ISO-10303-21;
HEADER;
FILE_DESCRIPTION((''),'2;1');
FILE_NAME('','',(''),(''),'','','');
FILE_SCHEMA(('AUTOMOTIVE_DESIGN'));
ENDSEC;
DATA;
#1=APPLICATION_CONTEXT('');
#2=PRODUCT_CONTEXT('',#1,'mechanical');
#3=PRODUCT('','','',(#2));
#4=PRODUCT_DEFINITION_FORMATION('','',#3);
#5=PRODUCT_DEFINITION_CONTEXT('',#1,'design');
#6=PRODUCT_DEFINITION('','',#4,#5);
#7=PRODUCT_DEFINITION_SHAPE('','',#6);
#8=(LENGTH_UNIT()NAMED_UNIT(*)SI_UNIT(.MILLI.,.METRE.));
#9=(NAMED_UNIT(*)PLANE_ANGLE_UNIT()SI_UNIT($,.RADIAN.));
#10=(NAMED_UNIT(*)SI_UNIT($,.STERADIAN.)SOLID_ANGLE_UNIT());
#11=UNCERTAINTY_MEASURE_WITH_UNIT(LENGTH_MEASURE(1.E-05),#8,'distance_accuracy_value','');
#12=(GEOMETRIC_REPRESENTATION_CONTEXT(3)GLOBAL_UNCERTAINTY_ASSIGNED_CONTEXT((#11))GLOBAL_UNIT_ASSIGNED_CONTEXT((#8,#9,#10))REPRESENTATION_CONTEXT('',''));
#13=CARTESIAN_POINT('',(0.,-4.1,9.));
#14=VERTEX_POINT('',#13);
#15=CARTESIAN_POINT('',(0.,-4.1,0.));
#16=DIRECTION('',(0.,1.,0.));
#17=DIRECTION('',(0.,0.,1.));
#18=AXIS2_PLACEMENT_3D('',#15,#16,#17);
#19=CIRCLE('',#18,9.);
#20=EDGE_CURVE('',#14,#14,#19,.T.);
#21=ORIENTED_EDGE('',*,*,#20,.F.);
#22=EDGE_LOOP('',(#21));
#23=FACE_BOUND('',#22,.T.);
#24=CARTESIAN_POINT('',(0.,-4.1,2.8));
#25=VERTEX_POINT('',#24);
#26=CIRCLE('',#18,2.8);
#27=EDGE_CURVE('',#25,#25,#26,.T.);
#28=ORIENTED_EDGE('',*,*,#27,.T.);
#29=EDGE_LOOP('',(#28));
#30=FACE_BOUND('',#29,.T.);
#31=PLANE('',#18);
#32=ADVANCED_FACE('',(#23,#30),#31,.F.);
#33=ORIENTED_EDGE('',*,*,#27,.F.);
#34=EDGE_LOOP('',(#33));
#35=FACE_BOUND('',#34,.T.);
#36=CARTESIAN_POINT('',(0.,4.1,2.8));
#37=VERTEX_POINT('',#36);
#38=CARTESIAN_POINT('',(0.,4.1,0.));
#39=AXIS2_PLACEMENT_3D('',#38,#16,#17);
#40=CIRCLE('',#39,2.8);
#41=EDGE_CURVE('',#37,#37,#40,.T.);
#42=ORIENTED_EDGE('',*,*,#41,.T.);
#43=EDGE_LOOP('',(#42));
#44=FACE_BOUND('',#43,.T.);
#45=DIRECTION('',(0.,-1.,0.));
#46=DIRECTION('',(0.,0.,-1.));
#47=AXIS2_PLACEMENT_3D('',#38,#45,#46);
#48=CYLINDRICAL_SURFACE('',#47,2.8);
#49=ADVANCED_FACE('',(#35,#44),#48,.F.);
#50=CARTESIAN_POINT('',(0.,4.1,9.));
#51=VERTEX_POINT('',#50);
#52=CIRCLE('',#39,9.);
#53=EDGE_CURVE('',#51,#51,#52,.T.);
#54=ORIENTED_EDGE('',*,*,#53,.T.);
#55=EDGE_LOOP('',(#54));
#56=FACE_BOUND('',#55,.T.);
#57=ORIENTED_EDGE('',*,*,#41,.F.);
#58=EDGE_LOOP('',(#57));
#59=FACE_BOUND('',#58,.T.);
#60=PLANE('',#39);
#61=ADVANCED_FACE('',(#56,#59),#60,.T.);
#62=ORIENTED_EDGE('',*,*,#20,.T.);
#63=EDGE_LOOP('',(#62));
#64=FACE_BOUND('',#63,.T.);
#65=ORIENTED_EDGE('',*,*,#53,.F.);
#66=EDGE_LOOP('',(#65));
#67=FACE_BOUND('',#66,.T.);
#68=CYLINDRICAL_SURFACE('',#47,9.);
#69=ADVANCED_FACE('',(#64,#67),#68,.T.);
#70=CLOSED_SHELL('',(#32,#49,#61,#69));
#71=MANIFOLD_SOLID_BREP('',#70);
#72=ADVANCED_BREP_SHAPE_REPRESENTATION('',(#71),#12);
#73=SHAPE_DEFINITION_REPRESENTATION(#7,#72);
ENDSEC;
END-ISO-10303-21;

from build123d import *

# Parameters (mm, degrees)
SKETCH_1_R      = 9
SKETCH_1_R_2    = 2.8
EXTRUDE_1_DEPTH = 4.1


with BuildPart() as part:
    # 草圖1 → 填料-伸長1 (new, symmetric)
    with BuildSketch(Plane(origin=(0, 0, 0), x_dir=(1, 0, 0), z_dir=(0, 1, 0))):
        with Locations(Location((0, 0, 0), (0, 0, 270))):
            Circle(SKETCH_1_R)
        with Locations(Location((0, 0, 0), (0, 0, 270))):
            Circle(SKETCH_1_R_2, mode=Mode.SUBTRACT)
    extrude(amount=EXTRUDE_1_DEPTH, both=True)


solid = part.part
